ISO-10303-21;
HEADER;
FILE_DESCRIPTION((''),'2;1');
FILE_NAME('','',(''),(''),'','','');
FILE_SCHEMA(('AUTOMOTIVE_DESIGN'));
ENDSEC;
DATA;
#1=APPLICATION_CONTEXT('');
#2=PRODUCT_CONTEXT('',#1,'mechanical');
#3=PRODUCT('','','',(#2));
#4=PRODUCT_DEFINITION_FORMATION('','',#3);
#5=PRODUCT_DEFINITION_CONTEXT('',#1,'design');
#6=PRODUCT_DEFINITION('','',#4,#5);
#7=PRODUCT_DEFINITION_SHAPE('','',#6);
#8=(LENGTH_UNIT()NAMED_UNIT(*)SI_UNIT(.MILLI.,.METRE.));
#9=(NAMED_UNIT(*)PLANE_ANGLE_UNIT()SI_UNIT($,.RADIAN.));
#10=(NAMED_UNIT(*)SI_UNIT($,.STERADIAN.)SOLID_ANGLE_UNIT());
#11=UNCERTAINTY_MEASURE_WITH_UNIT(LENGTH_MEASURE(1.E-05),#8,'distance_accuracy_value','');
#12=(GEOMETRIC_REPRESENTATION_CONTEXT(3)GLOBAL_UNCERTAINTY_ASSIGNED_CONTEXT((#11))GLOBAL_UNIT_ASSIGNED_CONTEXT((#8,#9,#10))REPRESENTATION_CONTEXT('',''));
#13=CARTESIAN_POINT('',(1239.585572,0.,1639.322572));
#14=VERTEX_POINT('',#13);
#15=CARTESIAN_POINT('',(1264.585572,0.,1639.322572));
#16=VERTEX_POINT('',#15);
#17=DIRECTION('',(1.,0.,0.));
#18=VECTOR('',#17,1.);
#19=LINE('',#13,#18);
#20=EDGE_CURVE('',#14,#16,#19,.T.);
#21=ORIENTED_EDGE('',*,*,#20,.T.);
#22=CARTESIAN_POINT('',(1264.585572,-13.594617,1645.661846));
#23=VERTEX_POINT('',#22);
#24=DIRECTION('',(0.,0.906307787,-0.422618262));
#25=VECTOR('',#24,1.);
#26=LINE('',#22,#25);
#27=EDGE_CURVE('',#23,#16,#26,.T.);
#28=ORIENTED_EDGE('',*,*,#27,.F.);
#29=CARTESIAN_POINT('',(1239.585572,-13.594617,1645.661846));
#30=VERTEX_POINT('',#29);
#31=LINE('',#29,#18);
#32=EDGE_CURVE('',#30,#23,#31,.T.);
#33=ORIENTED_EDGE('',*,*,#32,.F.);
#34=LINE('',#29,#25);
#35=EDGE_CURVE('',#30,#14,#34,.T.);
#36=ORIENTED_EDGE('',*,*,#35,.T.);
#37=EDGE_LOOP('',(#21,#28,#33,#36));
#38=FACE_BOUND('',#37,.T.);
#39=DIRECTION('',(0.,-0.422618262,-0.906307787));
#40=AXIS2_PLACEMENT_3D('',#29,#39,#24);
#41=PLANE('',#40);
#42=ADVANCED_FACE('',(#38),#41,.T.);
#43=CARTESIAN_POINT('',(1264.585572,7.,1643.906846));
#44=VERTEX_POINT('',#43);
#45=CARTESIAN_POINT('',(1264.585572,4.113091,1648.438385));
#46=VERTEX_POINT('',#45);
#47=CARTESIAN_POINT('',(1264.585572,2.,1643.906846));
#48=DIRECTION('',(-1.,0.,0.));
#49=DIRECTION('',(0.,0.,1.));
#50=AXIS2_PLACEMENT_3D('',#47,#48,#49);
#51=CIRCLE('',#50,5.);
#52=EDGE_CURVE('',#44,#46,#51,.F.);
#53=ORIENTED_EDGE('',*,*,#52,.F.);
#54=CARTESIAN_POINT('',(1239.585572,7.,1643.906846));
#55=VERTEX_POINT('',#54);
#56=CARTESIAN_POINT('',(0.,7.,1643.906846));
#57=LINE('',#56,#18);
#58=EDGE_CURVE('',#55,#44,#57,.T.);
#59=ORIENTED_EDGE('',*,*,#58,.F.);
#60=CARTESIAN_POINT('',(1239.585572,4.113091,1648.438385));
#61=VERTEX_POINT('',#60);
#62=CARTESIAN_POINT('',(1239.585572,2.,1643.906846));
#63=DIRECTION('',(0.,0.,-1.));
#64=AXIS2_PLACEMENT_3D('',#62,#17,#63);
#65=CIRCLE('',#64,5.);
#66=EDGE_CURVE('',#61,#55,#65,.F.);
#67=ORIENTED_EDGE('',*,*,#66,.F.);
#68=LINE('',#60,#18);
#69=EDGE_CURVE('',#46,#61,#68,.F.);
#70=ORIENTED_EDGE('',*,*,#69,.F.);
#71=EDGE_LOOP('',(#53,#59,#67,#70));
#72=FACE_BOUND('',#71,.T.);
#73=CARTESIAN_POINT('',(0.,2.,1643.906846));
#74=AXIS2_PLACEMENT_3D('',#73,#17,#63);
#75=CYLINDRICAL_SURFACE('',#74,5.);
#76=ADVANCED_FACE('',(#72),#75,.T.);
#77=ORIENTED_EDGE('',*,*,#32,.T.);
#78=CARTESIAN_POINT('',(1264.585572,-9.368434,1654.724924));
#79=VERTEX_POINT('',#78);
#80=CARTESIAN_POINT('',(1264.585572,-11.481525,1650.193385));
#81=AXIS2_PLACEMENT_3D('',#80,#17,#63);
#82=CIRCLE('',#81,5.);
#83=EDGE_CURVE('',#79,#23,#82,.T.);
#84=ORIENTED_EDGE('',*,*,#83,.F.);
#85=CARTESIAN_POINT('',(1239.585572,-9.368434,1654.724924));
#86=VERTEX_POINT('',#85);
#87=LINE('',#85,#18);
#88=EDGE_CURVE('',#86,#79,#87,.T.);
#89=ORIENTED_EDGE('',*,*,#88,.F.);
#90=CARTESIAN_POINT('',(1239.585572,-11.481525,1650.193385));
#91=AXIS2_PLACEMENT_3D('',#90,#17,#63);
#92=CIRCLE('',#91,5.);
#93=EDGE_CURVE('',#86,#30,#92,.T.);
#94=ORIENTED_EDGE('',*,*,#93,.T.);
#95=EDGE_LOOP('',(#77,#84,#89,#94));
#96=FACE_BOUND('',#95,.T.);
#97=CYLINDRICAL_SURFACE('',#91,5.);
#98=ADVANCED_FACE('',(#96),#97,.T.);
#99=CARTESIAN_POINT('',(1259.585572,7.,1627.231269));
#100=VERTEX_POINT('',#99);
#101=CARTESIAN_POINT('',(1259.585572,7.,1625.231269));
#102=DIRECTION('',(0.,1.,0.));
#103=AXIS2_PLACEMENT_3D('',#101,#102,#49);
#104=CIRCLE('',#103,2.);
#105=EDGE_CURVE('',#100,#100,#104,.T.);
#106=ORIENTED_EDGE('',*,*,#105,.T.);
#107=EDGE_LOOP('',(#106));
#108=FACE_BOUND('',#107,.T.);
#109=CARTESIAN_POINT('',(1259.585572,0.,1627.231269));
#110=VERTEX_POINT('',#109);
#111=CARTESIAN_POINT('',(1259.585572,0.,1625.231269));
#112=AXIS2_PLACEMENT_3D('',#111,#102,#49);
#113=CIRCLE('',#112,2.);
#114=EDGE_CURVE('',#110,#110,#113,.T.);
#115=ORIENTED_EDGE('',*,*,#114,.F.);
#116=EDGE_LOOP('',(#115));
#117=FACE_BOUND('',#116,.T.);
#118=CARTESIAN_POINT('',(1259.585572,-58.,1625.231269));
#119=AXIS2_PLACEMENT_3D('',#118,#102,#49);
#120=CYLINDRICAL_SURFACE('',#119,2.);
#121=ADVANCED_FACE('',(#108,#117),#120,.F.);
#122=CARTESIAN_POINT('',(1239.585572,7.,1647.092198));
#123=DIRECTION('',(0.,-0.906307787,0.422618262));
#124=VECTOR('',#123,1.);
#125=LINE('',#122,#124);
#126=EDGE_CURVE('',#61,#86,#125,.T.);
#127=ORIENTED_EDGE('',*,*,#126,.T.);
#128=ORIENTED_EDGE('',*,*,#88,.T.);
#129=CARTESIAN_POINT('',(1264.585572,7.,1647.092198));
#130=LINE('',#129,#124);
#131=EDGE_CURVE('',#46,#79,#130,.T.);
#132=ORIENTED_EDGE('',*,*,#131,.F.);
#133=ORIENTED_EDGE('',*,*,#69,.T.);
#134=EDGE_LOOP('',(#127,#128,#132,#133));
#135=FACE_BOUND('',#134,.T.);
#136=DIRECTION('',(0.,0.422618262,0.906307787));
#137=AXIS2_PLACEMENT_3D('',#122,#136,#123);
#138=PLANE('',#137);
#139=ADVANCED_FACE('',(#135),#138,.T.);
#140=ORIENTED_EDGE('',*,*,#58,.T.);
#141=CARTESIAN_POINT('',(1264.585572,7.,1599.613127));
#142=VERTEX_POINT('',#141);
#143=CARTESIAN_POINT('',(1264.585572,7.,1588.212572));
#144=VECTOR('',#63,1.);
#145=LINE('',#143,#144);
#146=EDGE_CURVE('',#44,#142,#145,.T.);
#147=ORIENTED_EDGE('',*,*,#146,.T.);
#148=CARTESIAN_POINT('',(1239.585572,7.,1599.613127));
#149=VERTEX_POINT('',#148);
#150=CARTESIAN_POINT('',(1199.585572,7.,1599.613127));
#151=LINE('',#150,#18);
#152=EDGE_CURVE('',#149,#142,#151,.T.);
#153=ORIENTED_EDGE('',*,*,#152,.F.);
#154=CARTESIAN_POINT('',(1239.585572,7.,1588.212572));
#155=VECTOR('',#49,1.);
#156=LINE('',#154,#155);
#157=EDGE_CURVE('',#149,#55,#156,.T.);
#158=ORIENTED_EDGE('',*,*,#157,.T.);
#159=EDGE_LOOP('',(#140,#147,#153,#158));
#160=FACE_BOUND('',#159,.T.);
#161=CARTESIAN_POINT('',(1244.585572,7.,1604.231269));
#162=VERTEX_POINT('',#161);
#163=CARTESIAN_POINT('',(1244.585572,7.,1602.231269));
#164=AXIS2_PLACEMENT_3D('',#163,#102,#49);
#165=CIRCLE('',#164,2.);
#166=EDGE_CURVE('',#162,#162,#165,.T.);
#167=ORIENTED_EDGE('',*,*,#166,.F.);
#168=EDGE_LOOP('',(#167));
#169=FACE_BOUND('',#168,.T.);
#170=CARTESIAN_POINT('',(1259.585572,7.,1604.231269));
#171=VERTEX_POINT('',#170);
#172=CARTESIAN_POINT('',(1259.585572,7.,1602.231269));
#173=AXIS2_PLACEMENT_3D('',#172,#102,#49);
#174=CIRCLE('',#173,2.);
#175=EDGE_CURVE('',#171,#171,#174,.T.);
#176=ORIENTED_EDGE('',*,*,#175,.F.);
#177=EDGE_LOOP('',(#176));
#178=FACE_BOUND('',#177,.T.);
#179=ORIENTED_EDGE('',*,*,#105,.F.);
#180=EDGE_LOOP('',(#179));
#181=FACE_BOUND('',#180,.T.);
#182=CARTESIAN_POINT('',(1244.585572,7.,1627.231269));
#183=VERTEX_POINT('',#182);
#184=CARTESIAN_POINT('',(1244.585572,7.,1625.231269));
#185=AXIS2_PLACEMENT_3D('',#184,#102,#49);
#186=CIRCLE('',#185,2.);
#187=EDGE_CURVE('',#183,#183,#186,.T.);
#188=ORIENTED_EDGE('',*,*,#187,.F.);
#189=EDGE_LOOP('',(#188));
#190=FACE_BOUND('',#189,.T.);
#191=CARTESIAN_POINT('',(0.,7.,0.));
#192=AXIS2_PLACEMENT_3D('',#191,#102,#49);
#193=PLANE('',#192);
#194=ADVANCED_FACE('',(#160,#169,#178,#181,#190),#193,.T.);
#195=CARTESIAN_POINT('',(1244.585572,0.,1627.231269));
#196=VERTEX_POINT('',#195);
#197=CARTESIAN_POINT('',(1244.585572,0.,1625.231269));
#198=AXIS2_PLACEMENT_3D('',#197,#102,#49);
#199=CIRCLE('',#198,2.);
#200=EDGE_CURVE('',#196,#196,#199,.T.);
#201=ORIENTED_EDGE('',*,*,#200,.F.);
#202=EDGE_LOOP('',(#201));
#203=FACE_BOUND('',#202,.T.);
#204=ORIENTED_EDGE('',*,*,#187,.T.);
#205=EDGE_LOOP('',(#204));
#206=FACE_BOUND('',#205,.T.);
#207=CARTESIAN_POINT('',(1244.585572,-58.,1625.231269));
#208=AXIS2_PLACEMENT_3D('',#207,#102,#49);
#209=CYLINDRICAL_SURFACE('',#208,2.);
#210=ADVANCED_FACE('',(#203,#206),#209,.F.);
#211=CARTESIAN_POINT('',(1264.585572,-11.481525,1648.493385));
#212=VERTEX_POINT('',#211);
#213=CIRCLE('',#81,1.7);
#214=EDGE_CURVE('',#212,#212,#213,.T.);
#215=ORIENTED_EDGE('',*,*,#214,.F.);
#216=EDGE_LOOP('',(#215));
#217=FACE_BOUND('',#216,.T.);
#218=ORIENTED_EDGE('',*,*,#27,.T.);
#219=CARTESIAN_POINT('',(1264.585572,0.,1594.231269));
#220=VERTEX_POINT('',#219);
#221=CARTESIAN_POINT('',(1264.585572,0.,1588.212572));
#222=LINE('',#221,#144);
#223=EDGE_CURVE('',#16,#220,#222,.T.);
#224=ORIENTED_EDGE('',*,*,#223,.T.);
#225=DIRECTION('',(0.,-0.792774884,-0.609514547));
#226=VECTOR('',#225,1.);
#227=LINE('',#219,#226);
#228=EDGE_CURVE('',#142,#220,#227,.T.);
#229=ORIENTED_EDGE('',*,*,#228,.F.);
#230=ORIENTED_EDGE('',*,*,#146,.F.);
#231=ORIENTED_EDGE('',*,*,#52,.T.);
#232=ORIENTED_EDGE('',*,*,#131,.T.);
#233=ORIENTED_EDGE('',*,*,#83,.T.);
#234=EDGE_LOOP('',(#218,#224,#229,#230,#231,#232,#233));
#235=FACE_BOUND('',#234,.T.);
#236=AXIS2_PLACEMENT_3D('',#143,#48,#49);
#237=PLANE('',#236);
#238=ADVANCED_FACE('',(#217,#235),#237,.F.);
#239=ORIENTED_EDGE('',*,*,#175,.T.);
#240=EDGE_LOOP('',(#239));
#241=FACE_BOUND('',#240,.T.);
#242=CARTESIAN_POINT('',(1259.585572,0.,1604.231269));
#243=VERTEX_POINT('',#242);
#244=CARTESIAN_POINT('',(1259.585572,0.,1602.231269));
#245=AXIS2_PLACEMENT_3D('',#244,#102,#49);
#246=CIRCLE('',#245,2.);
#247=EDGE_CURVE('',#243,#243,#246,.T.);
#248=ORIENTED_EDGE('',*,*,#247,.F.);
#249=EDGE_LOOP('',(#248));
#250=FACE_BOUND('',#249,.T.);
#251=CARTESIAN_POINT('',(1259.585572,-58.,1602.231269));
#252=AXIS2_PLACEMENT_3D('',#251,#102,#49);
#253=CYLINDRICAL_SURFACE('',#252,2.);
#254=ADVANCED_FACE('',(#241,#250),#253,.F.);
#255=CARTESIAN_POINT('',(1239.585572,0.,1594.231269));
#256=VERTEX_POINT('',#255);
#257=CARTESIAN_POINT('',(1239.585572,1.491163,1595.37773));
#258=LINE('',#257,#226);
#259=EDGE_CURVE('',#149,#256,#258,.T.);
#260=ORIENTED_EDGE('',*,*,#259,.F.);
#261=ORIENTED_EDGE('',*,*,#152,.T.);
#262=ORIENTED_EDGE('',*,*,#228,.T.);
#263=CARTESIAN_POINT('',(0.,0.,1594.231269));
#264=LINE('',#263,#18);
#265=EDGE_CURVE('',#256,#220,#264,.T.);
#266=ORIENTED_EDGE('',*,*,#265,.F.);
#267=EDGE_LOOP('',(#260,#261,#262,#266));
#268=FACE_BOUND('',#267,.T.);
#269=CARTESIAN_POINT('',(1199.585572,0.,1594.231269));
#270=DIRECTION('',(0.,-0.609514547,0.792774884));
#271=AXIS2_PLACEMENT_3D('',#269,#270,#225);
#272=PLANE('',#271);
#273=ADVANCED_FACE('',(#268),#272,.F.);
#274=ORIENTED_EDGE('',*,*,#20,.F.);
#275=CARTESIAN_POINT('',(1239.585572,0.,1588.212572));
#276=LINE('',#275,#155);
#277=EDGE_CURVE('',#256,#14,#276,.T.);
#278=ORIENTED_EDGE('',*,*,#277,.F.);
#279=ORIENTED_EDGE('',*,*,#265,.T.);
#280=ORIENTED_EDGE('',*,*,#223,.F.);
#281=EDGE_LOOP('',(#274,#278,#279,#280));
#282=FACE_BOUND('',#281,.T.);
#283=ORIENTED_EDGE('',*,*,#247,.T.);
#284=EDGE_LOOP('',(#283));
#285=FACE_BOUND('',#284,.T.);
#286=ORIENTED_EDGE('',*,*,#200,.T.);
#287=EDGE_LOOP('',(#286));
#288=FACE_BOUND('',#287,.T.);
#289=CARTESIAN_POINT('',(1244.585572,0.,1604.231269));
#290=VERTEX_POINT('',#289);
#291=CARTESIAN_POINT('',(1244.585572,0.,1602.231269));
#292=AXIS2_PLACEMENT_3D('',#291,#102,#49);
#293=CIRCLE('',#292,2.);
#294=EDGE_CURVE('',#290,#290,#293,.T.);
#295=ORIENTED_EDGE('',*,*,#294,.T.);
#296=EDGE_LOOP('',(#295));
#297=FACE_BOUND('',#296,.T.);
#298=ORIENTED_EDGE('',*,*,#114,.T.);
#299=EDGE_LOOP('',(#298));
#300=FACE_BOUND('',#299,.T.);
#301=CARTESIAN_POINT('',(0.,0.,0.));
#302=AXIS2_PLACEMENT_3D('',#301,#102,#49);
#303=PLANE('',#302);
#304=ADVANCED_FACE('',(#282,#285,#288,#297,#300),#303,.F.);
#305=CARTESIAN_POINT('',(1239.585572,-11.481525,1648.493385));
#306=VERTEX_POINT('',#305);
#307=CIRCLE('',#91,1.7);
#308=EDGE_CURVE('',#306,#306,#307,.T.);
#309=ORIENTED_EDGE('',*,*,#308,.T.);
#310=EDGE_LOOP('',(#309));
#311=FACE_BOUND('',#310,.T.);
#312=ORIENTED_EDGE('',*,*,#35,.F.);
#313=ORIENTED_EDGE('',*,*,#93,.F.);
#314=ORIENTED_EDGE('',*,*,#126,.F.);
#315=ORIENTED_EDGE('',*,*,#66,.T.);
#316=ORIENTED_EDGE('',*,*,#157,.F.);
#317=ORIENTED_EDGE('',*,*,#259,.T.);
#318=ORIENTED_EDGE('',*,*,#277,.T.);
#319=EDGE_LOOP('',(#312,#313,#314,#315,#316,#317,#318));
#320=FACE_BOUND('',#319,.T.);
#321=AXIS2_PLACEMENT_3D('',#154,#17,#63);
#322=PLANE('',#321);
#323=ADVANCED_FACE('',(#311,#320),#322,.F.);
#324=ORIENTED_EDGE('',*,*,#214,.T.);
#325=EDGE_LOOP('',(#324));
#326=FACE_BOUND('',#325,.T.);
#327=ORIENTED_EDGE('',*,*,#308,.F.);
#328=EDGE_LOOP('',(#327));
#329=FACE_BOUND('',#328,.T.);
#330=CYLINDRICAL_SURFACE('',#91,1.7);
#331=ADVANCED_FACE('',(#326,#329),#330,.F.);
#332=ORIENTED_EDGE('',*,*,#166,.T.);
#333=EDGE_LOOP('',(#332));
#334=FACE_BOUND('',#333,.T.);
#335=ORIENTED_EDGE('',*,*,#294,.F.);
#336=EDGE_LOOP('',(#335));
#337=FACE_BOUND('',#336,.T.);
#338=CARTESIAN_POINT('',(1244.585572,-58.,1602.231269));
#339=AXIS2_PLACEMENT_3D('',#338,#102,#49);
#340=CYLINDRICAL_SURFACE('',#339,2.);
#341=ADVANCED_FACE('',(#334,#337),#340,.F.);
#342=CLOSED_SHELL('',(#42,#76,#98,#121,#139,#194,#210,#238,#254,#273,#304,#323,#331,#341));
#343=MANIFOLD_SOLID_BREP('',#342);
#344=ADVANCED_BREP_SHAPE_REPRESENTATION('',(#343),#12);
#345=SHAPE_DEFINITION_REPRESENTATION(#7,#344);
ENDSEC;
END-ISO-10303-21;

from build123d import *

# Parameters (mm, degrees)
SKETCH_1_W          = 25
SKETCH_1_H          = 43.91
EXTRUDE_1_DEPTH     = 7
CUT_EXTRUDE_1_DEPTH = 65
SKETCH_3_R          = 2
CUT_EXTRUDE_2_DEPTH = 65
SKETCH_4_W          = 25
SKETCH_4_H          = 7
EXTRUDE_2_DEPTH     = 10
SKETCH_5_R          = 1.7
EXTRUDE_3_DEPTH     = 25
FILLET_1_R          = 5


with BuildPart() as part:
    # Эскиз1 → Бобышка-Вытянуть1 (new body)
    with BuildSketch(Plane(origin=(0, 0, 0), x_dir=(1, 0, 0), z_dir=(0, 1, 0))):
        with Locations((1252.085571953, -1610.16757215)):
            Rectangle(SKETCH_1_W, SKETCH_1_H)
    extrude(amount=EXTRUDE_1_DEPTH)

    # Эскиз2 → Вырез-Вытянуть1 (cut)
    with BuildSketch(Plane(origin=(1264.585571953, 0, 0), x_dir=(0, 0, -1), z_dir=(1, 0, 0))):
        Polygon((-1594.231269333, 0), (-1599.613127302, 7), (-1588.127511269, 9.94842477), (-1585.312996238, -1.015544634), align=None)
    extrude(amount=-CUT_EXTRUDE_1_DEPTH, mode=Mode.SUBTRACT)

    # Эскиз3 → Вырез-Вытянуть2 (cut)
    with BuildSketch(Plane(origin=(0, 7, 0), x_dir=(1, 0, 0), z_dir=(0, 1, 0))):
        with Locations((1259.585571953, -1602.231269333)):
            Circle(SKETCH_3_R)
        with Locations((1259.585571953, -1625.231269333)):
            Circle(SKETCH_3_R)
        with Locations((1244.585571953, -1602.231269333)):
            Circle(SKETCH_3_R)
        with Locations((1244.585571953, -1625.231269333)):
            Circle(SKETCH_3_R)
    extrude(amount=-CUT_EXTRUDE_2_DEPTH, mode=Mode.SUBTRACT)

    # Эскиз4 → Бобышка-Вытянуть2 (add)
    with BuildSketch(Plane.XY.offset(1632.12257215)):
        with Locations((1252.085571953, 3.5)):
            Rectangle(SKETCH_4_W, SKETCH_4_H)
    extrude(amount=EXTRUDE_2_DEPTH)

    # Эскиз5 → Бобышка-Вытянуть3 (add)
    with BuildSketch(Plane(origin=(1264.585571953, 0, 0), x_dir=(0, 0, -1), z_dir=(1, 0, 0))):
        with BuildLine():
            Line((-1645.661846077, -13.594616806), (-1639.32257215, 0))
            Line((-1639.32257215, 0), (-1642.12257215, 7))
            Line((-1642.12257215, 7), (-1647.092197733, 7))
            Line((-1647.092197733, 7), (-1654.724923947, -9.368434188))
            ThreePointArc((-1654.724923947, -9.368434188), (-1652.30647632, -16.013064432), (-1645.661846077, -13.594616806))
        make_face()
        with Locations((-1650.193385012, -11.481525497)):
            Circle(SKETCH_5_R, mode=Mode.SUBTRACT)
    extrude(amount=-EXTRUDE_3_DEPTH)

    # Скругление1
    fillet_1_edges = [part.edges().sort_by_distance(p)[0] for p in [
        (1252.085571953, 7, 1647.092197733),
    ]]
    fillet(fillet_1_edges, radius=FILLET_1_R)


solid = part.part
